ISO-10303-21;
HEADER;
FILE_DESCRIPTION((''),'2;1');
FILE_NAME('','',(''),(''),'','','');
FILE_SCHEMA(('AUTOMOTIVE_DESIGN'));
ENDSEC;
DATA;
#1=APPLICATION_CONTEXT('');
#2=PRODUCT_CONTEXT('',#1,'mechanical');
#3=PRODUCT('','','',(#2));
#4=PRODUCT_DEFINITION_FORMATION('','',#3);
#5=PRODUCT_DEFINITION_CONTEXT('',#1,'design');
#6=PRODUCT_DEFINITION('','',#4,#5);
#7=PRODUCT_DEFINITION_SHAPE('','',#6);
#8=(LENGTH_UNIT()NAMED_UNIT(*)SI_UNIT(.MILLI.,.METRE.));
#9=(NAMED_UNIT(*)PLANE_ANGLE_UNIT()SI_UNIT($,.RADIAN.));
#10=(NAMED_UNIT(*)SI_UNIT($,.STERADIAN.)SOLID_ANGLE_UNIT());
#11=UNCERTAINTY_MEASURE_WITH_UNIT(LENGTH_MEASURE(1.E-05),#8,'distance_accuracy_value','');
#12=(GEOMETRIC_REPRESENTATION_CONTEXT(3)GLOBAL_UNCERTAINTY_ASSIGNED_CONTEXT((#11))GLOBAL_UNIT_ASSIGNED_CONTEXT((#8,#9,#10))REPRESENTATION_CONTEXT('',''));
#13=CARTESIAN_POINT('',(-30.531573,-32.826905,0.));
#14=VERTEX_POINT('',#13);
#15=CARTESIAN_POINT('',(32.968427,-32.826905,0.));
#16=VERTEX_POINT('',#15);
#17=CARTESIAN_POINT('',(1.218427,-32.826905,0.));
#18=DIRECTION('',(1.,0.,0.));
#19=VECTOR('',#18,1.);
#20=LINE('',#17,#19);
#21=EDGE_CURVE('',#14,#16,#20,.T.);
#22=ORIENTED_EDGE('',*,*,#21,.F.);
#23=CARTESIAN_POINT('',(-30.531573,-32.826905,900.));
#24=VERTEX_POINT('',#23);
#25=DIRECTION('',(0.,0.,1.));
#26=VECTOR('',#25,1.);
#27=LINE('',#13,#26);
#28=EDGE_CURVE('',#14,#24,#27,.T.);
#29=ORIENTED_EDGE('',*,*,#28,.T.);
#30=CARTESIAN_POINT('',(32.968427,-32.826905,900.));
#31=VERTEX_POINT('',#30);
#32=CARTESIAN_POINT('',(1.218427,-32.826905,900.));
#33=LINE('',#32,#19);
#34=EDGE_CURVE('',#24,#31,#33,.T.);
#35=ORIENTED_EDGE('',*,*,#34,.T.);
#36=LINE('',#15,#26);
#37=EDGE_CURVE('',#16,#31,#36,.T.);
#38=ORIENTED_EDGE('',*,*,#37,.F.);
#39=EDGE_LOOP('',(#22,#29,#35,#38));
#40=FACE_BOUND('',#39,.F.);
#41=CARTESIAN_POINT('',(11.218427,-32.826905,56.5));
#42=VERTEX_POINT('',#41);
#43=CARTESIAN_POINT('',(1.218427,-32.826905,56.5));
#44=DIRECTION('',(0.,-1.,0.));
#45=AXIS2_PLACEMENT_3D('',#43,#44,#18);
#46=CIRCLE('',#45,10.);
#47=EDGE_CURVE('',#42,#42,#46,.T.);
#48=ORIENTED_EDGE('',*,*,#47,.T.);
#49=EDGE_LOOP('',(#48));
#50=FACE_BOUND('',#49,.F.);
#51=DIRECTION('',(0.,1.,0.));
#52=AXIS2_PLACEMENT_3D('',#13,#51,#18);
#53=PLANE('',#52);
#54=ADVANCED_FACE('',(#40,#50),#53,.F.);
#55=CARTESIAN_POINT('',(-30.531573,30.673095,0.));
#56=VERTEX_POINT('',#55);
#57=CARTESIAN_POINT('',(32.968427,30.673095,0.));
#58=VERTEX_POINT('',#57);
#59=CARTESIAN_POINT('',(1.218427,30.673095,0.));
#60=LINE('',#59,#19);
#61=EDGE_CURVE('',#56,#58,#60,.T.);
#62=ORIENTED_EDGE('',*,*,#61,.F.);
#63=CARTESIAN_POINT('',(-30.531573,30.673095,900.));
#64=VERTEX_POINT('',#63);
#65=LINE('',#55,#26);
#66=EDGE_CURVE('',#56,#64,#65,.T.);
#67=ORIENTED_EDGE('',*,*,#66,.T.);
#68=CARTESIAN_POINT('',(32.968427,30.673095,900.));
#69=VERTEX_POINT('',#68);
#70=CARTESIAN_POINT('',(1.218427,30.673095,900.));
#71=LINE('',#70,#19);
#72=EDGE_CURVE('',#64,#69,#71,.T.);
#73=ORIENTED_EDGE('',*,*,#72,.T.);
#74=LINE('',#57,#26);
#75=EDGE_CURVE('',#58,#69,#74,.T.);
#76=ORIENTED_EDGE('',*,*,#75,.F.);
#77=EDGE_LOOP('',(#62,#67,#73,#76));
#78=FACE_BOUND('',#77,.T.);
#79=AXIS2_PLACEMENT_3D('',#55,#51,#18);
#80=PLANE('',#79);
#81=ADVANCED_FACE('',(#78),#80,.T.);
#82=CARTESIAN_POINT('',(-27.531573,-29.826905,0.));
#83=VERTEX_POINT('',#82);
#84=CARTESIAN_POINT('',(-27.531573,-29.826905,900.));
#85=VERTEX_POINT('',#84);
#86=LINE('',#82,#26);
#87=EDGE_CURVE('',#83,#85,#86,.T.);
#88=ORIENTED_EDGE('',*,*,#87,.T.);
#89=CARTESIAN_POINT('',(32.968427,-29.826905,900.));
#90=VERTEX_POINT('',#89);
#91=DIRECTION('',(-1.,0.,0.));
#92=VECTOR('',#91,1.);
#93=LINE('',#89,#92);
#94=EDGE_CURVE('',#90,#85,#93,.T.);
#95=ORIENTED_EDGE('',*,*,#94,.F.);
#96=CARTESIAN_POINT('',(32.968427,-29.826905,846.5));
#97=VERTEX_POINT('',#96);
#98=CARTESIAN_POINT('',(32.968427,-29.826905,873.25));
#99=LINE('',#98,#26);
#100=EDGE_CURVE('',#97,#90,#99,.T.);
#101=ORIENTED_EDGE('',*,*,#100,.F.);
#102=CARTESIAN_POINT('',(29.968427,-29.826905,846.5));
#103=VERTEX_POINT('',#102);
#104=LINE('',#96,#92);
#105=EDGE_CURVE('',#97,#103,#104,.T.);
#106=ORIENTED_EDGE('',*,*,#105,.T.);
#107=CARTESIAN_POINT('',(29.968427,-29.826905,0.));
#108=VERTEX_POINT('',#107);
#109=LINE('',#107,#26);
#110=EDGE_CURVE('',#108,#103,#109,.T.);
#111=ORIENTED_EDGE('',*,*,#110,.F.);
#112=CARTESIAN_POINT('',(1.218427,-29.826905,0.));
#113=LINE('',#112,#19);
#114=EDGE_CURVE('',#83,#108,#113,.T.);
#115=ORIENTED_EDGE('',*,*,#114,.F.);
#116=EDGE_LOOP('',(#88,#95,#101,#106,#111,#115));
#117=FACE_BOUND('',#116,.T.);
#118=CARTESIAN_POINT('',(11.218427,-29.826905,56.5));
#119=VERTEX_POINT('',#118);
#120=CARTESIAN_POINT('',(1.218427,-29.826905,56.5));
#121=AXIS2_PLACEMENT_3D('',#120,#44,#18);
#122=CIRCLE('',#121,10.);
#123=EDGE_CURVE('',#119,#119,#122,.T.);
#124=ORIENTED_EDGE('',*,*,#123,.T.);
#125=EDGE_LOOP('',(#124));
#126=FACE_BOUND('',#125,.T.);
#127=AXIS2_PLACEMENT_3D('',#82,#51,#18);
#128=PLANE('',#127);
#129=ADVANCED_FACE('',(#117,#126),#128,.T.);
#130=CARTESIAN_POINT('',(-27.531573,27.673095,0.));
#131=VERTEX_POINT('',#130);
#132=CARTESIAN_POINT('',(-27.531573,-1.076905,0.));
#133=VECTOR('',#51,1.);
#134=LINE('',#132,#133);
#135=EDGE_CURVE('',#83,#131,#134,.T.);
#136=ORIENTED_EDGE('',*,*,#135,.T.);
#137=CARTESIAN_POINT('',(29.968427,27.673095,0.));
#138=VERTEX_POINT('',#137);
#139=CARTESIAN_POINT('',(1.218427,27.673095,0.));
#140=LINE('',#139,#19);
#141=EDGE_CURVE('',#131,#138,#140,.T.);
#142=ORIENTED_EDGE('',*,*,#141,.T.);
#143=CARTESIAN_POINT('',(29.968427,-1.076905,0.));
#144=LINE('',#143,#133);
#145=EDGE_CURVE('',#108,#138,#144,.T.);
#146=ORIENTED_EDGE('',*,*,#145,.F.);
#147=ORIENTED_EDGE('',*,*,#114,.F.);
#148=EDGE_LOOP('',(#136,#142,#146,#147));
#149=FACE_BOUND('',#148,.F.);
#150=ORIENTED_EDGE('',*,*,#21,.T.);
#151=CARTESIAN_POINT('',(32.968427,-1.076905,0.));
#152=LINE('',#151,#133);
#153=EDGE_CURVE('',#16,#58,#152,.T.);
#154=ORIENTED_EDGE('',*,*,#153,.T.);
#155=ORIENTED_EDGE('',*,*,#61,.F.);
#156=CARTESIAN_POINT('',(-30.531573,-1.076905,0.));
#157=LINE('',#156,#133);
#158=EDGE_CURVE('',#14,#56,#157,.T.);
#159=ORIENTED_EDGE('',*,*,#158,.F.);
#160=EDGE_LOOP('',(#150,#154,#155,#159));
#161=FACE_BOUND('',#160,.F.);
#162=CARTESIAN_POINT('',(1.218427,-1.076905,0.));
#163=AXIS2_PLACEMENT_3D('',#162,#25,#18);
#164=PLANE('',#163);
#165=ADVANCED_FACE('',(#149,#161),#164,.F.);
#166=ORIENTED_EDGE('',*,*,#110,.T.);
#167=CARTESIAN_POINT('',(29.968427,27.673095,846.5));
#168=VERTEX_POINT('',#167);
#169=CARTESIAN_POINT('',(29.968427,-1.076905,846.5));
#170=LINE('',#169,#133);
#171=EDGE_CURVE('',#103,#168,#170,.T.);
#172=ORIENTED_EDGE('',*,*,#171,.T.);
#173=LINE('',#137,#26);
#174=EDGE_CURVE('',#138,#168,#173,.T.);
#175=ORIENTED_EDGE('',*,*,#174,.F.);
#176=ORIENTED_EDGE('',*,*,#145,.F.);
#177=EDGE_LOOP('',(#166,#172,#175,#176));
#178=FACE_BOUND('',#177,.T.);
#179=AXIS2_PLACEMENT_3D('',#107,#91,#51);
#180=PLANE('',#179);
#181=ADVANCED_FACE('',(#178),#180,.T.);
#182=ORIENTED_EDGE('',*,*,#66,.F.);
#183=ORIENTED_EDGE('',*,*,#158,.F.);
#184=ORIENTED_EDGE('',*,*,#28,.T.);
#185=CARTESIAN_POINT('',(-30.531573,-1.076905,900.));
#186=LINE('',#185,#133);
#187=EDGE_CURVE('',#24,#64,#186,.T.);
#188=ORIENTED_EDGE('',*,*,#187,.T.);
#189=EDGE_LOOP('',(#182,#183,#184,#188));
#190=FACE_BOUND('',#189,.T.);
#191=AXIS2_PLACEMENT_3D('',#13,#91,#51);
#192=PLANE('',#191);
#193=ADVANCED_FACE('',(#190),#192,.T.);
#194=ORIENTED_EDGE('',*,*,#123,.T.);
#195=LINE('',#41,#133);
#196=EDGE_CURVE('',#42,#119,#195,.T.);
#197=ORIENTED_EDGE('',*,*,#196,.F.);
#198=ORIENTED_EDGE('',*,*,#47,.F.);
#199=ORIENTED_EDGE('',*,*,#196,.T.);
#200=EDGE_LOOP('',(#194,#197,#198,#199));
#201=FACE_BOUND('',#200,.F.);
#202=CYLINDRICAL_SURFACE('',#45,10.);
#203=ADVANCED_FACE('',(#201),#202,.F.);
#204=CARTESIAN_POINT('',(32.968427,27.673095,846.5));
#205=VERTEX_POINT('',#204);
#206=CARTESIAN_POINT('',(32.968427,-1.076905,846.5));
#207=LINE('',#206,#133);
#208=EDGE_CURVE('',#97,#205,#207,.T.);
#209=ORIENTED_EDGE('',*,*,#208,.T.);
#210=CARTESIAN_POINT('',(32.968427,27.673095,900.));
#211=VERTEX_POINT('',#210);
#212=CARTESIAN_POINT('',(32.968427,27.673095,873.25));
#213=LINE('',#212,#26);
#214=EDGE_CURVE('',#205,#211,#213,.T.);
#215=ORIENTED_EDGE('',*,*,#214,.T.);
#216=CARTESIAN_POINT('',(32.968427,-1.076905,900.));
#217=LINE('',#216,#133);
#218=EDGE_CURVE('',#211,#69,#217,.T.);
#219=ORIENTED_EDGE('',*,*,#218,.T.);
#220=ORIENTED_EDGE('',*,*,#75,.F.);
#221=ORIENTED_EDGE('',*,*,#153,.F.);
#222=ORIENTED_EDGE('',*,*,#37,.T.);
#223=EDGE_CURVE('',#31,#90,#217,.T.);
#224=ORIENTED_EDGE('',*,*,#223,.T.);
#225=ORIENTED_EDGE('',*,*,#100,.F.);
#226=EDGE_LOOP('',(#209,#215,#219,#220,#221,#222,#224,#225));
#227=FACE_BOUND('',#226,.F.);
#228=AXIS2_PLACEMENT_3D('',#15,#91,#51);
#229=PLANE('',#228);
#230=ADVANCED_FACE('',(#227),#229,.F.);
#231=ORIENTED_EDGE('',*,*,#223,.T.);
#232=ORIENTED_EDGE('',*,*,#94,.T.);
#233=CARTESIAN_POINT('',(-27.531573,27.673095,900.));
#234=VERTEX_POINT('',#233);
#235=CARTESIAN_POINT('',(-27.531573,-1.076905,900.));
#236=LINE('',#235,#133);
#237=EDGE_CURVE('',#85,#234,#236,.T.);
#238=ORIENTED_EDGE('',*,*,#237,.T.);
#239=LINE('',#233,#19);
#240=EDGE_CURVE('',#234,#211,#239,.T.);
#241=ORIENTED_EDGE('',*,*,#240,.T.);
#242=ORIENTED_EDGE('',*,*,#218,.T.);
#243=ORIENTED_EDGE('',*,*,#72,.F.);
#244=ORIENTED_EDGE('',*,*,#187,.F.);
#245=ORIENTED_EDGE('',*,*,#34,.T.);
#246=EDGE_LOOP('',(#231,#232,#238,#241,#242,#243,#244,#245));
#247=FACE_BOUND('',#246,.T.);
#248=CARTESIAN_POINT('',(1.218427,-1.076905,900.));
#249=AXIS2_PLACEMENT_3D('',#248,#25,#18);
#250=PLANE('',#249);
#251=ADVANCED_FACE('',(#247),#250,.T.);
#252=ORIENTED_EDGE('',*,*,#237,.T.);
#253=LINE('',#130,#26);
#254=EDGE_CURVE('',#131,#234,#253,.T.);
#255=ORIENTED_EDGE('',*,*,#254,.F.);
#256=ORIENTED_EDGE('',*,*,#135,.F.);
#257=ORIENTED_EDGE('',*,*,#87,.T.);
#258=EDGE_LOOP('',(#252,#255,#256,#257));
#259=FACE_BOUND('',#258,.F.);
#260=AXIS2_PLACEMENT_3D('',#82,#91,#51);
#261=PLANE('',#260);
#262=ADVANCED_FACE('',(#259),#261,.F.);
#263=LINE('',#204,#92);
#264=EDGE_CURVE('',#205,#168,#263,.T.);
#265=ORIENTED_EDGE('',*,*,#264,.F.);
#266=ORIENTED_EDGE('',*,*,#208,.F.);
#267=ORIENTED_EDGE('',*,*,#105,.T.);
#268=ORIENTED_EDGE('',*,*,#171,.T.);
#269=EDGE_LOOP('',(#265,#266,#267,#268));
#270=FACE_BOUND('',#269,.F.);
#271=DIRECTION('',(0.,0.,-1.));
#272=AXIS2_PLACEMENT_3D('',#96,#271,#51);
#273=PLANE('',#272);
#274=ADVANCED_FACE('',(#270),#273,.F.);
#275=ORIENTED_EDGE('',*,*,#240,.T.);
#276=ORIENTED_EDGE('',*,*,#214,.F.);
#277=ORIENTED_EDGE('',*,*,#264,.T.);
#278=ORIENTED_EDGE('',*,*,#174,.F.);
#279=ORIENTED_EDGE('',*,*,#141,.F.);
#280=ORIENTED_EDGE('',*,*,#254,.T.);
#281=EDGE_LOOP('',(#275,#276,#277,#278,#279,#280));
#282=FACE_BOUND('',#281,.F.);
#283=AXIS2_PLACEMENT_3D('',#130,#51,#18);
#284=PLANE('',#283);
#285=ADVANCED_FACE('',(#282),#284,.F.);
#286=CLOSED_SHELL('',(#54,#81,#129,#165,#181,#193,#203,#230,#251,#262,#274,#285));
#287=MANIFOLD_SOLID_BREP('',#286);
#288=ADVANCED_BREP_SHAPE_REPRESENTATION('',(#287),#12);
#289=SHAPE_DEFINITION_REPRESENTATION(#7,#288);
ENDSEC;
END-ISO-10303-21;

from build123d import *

# Parameters (mm, degrees)
F0_W     = 63.5
F0_H     = 63.5
F0_W_2   = 57.5
F0_H_2   = 57.5
F1_DEPTH = 900
F2_W     = 57.5
F2_H     = 53.5
F3_DEPTH = 3
F4_R     = 10
F5_DEPTH = 3


with BuildPart() as f1:
    # F0 (on Top) → F1 (new body)
    with BuildSketch(Plane.XY):
        with Locations((1.218427, -1.076905)):
            Rectangle(F0_W, F0_H)
        with Locations((1.218427, -1.076905)):
            Rectangle(F0_W_2, F0_H_2, mode=Mode.SUBTRACT)
    extrude(amount=F1_DEPTH)

    # F2 (on face) → F3 (cut)
    with BuildSketch(Plane.YZ.offset(32.968427)):
        with Locations((-1.076905, 873.25)):
            Rectangle(F2_W, F2_H)
    extrude(amount=-F3_DEPTH, mode=Mode.SUBTRACT)

    # F4 (on face) → F5 (cut)
    with BuildSketch(Plane.XZ.offset(32.826905)):
        with Locations((1.218427, 56.5)):
            Circle(F4_R)
    extrude(amount=-F5_DEPTH, mode=Mode.SUBTRACT)


solid = f1.part
